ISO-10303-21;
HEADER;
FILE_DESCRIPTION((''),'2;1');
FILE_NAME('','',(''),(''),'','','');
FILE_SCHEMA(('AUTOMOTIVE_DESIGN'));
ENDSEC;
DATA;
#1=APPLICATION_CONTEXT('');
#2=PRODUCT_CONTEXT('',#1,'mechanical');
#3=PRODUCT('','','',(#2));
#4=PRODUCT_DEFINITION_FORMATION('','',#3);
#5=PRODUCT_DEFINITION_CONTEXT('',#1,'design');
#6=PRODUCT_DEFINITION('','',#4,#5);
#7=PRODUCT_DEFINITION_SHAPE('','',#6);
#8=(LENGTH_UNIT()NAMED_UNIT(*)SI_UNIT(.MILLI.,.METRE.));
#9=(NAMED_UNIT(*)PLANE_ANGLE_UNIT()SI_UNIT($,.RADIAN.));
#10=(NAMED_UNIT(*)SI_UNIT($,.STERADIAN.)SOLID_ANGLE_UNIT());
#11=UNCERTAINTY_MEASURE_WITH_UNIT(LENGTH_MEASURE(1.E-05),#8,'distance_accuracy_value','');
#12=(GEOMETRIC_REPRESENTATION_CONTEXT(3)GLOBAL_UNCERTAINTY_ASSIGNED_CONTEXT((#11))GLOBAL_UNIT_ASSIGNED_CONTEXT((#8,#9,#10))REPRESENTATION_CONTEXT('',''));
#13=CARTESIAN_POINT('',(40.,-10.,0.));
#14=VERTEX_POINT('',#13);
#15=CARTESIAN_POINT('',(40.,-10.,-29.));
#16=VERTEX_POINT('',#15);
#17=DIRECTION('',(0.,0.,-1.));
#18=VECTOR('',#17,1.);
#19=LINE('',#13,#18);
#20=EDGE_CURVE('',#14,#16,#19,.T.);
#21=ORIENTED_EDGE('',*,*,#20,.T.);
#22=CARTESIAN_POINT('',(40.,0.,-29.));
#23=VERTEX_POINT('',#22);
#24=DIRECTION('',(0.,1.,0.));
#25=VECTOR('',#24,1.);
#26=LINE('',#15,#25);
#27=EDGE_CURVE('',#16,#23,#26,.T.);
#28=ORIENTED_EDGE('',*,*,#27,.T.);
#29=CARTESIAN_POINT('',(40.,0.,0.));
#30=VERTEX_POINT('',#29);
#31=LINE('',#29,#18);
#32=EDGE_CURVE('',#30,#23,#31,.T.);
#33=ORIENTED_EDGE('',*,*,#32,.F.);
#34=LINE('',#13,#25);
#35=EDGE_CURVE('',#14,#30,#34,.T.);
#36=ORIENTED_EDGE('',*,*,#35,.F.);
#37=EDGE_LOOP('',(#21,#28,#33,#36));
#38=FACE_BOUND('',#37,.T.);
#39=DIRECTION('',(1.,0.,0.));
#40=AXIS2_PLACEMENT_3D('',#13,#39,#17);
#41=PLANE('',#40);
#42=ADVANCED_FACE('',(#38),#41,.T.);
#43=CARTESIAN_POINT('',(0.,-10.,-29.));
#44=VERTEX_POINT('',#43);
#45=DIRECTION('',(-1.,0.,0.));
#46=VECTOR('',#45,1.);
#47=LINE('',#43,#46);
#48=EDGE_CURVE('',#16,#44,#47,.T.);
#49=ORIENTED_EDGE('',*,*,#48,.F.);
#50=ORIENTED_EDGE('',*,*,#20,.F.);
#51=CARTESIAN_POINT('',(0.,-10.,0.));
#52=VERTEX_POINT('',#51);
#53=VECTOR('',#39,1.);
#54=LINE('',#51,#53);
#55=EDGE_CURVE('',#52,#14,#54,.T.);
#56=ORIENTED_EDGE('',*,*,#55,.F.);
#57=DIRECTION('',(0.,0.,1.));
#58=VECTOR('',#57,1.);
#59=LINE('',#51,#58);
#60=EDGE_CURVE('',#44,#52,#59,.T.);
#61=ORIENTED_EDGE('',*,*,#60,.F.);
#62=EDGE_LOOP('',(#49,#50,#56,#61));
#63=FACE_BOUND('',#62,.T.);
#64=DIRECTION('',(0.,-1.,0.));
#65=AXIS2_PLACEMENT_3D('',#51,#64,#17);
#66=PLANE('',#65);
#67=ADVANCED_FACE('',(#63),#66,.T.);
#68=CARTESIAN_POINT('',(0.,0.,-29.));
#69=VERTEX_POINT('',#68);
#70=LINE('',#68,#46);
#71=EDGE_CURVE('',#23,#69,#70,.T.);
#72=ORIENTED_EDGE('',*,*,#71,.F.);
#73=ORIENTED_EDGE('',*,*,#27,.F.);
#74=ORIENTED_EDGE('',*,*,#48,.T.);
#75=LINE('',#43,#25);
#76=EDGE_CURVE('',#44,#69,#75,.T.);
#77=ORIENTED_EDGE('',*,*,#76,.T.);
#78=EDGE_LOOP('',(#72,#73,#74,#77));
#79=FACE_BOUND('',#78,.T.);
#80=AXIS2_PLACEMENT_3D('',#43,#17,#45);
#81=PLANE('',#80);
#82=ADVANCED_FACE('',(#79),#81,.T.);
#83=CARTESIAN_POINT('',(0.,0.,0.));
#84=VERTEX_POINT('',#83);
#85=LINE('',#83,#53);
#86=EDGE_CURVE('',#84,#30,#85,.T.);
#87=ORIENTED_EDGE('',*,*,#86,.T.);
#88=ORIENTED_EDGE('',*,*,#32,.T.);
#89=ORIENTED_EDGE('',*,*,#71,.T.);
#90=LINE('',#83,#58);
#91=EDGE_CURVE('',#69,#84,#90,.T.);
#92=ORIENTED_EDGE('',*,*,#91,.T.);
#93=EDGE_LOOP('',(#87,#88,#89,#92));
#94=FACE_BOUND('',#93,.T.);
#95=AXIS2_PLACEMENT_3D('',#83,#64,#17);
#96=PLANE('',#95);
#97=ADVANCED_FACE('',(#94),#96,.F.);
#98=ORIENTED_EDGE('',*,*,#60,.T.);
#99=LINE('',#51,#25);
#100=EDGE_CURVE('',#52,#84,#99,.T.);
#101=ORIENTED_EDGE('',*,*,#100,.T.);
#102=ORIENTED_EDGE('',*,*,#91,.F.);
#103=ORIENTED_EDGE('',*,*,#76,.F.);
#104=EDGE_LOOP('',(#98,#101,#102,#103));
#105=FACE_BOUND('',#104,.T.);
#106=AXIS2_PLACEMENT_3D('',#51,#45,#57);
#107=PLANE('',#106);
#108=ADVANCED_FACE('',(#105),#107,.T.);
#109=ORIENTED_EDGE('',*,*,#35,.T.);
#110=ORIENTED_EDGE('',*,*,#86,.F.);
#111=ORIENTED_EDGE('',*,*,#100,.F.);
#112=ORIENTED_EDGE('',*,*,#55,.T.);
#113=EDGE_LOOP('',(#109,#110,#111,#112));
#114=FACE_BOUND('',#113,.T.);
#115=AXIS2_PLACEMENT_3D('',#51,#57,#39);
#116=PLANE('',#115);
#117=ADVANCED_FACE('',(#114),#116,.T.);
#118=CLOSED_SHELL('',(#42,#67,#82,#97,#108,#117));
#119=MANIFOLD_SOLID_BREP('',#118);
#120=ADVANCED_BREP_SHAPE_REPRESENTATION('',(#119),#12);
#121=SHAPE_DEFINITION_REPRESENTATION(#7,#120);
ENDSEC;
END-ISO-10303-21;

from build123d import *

# Parameters (mm, degrees)
SKETCH1_W           = 40
SKETCH1_H           = 29
BOSS_EXTRUDE1_DEPTH = 10


with BuildPart() as part:
    # Sketch1 → Boss-Extrude1 (new body)
    with BuildSketch(Plane(origin=(0, 0, 0), x_dir=(1, 0, 0), z_dir=(0, 1, 0))):
        with Locations((20, 14.5)):
            Rectangle(SKETCH1_W, SKETCH1_H)
    extrude(amount=-BOSS_EXTRUDE1_DEPTH)


solid = part.part
